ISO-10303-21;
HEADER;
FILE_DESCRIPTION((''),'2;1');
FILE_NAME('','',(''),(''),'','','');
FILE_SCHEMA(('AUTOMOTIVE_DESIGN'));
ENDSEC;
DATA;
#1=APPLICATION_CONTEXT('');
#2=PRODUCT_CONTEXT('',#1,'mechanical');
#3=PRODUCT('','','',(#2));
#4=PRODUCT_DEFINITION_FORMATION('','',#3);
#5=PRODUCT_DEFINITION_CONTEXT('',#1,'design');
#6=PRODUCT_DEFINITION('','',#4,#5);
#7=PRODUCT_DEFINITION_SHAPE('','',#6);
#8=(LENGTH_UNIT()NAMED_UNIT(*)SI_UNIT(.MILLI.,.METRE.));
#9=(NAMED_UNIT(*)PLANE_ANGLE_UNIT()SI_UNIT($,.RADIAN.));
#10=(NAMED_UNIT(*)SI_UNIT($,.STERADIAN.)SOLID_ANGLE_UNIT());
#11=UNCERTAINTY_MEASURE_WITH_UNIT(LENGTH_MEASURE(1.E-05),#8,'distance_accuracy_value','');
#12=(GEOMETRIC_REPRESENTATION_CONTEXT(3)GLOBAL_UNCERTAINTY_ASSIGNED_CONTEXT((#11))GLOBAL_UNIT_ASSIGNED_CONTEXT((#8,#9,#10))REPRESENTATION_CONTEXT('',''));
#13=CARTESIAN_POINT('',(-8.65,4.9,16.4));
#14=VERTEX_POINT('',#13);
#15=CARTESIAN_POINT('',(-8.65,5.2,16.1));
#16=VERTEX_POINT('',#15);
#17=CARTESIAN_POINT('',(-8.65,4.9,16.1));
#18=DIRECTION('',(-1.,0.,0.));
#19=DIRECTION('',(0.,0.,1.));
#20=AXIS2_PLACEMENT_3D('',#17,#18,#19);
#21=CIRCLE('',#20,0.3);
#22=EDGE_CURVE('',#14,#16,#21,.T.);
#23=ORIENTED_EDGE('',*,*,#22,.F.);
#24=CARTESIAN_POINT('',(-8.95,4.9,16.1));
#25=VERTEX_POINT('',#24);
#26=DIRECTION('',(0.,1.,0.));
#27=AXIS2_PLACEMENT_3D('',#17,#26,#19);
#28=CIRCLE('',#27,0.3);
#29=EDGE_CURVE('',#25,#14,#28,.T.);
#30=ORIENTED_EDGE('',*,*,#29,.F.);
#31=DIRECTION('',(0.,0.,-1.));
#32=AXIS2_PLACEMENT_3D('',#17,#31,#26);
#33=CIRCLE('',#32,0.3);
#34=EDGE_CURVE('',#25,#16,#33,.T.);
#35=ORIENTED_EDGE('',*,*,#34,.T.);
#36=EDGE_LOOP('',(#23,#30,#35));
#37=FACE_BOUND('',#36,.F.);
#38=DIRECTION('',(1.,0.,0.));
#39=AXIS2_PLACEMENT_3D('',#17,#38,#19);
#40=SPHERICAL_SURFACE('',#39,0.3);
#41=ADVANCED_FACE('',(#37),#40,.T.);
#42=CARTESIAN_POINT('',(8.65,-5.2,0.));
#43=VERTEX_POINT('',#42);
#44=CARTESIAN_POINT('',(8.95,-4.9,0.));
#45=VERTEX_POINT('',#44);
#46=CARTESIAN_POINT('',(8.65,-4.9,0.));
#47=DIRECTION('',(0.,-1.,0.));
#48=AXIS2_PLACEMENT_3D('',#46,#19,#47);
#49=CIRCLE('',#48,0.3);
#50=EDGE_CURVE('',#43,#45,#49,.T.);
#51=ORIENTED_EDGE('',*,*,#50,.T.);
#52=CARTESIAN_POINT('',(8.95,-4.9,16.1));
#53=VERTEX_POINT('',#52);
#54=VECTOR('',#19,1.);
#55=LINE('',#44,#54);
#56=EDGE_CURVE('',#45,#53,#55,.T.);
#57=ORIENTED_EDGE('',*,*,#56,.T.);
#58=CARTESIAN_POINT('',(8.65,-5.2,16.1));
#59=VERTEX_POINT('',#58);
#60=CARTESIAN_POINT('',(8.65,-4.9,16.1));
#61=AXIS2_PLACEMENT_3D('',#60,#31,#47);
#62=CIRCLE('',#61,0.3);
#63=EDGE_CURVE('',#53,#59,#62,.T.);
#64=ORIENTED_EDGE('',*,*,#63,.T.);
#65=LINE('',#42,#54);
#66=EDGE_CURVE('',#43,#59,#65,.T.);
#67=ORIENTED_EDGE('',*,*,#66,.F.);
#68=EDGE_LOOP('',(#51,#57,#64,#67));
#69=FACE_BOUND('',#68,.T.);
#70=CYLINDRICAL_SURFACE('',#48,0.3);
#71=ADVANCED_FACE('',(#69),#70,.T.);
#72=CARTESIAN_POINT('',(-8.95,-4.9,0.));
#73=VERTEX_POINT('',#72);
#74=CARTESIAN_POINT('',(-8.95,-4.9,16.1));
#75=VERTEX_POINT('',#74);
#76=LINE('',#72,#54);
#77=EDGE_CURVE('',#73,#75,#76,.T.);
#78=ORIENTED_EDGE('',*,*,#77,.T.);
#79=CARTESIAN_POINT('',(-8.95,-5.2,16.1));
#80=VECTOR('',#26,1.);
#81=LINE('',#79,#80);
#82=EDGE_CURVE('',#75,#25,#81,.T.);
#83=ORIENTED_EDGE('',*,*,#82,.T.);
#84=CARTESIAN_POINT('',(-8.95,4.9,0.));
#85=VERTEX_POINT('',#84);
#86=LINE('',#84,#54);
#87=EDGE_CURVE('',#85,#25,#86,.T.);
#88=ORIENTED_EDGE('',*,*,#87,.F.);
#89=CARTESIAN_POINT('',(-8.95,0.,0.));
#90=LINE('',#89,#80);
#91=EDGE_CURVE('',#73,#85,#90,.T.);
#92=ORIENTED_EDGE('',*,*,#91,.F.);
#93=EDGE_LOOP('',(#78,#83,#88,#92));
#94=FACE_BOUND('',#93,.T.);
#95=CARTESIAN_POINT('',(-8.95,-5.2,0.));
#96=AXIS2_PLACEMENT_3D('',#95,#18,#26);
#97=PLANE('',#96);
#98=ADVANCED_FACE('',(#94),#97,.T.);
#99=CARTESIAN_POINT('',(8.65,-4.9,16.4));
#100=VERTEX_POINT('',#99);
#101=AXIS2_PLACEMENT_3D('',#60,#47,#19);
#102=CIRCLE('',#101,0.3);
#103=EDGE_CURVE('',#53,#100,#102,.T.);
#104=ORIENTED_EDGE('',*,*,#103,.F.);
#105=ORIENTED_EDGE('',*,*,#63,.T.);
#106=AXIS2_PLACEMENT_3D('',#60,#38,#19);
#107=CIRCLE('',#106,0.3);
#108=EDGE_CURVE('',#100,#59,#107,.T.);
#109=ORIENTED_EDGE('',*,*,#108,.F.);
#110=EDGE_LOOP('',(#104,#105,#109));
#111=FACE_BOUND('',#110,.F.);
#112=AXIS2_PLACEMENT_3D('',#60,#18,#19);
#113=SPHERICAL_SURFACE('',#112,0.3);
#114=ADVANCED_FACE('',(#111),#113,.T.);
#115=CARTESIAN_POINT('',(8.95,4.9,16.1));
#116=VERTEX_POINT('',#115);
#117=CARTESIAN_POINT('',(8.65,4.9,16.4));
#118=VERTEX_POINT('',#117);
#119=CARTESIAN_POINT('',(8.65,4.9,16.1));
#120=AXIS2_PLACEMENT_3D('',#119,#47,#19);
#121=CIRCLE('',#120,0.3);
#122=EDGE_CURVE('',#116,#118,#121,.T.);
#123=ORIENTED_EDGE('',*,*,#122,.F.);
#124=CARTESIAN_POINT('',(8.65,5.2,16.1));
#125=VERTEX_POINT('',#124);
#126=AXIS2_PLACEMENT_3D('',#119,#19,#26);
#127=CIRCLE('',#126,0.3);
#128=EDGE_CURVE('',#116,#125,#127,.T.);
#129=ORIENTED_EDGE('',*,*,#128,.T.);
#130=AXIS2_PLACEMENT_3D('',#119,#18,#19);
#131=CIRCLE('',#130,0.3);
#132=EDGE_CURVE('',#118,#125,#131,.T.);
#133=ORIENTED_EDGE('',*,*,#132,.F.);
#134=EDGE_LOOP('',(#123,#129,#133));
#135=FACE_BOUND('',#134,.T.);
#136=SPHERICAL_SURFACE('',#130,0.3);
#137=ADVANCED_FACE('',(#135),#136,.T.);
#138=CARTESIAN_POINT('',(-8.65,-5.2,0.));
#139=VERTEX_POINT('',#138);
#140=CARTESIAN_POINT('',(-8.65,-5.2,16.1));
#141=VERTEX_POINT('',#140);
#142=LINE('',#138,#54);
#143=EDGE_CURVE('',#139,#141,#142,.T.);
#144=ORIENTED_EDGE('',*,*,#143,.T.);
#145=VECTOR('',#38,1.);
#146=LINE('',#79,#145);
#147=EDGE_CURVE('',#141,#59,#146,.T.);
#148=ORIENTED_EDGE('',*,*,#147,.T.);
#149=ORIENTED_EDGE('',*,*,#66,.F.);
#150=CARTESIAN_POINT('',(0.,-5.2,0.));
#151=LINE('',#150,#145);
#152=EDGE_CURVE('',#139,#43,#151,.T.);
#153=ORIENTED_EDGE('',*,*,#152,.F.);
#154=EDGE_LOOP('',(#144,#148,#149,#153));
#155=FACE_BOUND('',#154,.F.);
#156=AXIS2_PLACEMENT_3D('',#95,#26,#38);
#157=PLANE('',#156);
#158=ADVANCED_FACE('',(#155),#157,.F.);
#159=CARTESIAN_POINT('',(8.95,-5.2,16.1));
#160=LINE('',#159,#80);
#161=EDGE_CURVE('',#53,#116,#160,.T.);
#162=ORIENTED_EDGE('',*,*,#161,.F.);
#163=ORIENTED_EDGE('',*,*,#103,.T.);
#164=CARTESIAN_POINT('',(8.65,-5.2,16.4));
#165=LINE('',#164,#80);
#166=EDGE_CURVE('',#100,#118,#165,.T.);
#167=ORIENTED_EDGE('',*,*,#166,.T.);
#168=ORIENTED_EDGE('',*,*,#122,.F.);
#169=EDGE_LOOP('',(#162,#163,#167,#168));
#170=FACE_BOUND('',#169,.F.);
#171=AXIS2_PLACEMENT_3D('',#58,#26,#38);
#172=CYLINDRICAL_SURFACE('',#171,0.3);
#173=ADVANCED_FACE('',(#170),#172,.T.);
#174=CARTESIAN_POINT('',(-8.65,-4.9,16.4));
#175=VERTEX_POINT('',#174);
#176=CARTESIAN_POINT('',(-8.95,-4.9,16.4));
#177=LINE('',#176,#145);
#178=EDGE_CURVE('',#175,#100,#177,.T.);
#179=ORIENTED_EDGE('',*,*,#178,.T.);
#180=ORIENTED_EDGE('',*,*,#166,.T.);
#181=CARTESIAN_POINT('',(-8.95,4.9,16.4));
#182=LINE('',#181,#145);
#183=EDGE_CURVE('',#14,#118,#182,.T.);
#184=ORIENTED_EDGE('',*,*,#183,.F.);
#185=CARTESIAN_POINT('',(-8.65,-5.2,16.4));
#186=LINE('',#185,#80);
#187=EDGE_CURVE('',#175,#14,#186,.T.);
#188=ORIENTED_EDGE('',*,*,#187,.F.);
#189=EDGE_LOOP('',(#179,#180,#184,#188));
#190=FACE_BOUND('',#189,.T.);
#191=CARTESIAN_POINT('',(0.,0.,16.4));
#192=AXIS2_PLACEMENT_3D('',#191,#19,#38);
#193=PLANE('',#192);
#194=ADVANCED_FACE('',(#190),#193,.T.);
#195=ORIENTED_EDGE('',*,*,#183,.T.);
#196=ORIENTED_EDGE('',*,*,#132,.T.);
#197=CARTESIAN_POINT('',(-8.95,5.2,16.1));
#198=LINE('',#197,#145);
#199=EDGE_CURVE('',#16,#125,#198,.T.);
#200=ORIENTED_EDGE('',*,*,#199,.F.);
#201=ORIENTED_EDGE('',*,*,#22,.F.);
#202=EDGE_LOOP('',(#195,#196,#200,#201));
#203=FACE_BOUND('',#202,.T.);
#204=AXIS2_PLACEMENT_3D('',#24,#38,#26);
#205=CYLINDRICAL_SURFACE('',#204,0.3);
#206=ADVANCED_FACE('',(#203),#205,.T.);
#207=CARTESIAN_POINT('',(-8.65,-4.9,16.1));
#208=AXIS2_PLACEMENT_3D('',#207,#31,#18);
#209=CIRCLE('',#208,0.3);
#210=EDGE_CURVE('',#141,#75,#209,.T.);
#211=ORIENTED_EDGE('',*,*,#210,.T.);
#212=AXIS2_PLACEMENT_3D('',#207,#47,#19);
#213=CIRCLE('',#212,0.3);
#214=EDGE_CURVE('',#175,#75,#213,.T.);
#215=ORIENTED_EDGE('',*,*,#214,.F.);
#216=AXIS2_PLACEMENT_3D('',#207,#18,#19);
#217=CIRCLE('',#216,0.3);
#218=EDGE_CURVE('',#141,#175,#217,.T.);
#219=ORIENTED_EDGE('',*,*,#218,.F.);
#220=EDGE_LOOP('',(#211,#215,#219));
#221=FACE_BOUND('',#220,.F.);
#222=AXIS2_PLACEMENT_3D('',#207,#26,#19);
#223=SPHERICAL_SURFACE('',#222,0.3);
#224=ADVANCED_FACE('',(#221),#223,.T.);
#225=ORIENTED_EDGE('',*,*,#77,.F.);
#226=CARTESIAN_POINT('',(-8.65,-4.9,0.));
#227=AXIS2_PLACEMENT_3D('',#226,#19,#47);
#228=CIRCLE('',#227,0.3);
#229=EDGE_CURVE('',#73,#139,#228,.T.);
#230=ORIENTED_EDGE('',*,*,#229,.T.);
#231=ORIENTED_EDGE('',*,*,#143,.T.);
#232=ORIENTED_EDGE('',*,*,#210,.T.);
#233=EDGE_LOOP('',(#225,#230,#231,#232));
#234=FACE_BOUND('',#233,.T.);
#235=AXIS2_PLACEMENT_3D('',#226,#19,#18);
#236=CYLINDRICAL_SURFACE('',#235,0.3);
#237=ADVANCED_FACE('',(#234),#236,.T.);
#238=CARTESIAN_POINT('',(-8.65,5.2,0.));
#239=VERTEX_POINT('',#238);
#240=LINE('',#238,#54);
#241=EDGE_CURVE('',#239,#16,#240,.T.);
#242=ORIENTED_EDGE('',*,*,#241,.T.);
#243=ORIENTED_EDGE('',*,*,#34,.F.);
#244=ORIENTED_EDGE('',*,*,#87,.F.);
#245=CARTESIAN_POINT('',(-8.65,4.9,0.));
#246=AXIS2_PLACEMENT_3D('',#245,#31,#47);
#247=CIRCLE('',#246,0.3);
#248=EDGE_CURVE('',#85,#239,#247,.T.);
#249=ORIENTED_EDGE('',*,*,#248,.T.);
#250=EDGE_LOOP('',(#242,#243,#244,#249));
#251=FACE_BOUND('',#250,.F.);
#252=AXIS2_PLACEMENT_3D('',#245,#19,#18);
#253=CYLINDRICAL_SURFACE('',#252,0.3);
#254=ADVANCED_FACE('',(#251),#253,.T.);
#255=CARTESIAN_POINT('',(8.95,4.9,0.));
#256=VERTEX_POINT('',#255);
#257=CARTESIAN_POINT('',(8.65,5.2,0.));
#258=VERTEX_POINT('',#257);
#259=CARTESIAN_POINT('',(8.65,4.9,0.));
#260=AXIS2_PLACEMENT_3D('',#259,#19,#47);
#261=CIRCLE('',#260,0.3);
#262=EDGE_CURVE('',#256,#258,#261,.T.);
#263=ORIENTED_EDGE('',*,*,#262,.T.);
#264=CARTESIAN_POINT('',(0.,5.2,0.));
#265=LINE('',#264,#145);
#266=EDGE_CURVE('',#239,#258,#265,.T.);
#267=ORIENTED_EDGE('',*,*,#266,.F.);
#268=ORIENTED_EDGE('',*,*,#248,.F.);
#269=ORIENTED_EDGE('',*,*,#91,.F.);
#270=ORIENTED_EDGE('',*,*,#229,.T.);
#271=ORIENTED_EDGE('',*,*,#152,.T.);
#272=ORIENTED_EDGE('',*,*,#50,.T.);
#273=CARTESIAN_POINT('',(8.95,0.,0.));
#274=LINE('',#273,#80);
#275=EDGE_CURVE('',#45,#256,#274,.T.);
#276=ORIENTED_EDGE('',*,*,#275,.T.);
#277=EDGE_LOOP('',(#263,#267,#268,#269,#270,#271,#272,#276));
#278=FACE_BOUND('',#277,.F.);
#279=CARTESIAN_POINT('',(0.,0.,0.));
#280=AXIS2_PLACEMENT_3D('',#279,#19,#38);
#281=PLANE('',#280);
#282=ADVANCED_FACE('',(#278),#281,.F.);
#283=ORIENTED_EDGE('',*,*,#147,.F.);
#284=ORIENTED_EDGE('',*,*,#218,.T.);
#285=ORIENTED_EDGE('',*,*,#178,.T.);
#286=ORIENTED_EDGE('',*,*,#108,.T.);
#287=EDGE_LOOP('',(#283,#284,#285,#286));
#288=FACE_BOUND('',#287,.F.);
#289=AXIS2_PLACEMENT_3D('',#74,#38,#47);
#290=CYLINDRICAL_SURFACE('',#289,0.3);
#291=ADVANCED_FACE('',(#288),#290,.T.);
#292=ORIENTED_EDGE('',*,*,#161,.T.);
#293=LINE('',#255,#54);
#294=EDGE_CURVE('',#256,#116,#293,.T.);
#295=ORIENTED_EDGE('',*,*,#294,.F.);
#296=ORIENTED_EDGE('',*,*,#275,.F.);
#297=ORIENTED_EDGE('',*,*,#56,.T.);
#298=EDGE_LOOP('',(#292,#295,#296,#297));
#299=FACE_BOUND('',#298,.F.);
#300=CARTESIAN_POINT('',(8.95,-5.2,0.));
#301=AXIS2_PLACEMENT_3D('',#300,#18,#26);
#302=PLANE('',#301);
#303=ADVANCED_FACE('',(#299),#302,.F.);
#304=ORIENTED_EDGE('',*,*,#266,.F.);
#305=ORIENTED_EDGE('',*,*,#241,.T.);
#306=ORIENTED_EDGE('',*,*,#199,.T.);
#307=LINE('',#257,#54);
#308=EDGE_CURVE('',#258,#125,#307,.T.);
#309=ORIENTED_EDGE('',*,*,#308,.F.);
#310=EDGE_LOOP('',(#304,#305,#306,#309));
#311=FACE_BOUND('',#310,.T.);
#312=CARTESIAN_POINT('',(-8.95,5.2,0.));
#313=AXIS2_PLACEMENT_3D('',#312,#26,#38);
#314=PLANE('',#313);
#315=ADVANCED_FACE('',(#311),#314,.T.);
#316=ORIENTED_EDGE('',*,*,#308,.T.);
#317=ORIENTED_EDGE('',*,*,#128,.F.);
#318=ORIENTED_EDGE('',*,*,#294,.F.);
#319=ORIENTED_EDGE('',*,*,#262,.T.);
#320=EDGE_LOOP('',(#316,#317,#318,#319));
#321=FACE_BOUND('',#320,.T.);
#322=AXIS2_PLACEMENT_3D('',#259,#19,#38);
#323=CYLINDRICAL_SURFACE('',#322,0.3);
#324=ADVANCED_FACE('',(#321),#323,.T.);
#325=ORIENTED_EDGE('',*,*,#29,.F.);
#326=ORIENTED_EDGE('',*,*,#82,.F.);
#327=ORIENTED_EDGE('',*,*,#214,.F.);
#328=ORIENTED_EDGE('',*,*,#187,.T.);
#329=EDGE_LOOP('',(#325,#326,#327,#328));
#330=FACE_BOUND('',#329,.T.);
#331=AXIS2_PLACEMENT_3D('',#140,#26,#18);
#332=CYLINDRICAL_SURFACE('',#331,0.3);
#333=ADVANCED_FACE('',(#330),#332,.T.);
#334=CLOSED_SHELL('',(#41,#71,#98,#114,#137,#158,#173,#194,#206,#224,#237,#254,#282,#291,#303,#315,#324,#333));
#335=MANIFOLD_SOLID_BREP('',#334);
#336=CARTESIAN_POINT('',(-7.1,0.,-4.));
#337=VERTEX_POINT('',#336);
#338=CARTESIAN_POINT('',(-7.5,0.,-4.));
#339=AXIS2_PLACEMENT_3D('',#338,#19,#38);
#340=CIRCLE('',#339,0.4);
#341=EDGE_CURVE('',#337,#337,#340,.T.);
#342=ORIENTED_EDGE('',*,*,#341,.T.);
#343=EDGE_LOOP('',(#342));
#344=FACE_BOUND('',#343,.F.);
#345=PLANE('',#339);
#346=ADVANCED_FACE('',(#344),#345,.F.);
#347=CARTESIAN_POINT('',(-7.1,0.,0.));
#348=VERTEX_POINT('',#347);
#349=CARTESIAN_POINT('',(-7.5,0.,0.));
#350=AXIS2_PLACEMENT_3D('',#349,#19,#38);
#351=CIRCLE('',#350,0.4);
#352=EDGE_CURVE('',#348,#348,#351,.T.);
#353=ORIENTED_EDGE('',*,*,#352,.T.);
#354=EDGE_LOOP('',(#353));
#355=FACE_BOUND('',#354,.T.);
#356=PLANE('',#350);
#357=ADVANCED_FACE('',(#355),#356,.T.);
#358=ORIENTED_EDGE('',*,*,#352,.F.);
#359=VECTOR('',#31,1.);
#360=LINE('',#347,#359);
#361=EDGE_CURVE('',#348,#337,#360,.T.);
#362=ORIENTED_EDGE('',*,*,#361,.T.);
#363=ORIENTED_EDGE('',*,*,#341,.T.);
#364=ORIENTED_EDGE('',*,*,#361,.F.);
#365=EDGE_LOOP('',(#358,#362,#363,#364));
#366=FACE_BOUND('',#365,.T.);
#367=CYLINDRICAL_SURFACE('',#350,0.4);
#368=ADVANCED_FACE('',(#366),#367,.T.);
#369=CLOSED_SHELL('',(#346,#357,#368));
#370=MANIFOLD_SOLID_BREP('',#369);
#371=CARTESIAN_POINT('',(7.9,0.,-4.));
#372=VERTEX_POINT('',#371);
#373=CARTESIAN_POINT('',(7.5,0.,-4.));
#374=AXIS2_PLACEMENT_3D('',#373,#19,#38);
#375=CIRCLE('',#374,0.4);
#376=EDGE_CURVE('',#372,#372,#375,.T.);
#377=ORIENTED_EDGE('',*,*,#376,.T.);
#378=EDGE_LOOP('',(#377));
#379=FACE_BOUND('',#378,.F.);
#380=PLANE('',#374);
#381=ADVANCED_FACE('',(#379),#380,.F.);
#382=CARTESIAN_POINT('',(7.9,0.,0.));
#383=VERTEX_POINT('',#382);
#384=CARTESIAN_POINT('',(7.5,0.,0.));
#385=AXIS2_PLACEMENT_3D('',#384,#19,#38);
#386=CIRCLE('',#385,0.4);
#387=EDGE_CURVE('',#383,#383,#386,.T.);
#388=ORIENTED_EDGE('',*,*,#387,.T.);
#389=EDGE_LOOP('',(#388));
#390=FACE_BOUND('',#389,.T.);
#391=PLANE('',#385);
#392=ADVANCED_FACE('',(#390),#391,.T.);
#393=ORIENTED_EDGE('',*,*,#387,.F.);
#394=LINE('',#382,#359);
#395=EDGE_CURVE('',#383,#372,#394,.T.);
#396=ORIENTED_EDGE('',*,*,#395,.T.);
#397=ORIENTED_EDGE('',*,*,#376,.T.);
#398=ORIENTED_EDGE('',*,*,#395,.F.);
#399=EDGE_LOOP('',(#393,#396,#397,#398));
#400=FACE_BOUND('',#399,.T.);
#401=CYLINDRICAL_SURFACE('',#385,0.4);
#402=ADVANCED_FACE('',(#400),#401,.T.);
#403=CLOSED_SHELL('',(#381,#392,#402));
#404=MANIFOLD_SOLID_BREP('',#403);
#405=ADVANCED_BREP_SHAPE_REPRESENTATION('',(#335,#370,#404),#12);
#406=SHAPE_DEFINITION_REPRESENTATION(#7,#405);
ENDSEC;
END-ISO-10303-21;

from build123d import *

# Parameters (mm, degrees)
F0_W     = 17.9
F0_H     = 10.4
F1_DEPTH = 16.4
F2_R     = 0.3
F3_R     = 0.4
F4_DEPTH = 4


with BuildPart() as f1:
    # F0 (on Top) → F1 (new body)
    with BuildSketch(Plane.XY):
        Rectangle(F0_W, F0_H)
    extrude(amount=F1_DEPTH)

    # F2
    f2_edges = [f1.edges().sort_by_distance(p)[0] for p in [
        (0, 5.2, 16.4),
        (-8.95, 0, 16.4),
        (0, -5.2, 16.4),
        (8.95, 0, 16.4),
        (8.95, -5.2, 8.2),
        (8.95, 5.2, 8.2),
        (-8.95, 5.2, 8.2),
        (-8.95, -5.2, 8.2),
    ]]
    fillet(f2_edges, radius=F2_R)


with BuildPart() as f4:
    # F3 (on Top) → F4 (new body)
    with BuildSketch(Plane.XY):
        with Locations((-7.5, 0)):
            Circle(F3_R)
        with Locations((7.5, 0)):
            Circle(F3_R)
    extrude(amount=-F4_DEPTH)


solid = Compound([f1.part, f4.part])
